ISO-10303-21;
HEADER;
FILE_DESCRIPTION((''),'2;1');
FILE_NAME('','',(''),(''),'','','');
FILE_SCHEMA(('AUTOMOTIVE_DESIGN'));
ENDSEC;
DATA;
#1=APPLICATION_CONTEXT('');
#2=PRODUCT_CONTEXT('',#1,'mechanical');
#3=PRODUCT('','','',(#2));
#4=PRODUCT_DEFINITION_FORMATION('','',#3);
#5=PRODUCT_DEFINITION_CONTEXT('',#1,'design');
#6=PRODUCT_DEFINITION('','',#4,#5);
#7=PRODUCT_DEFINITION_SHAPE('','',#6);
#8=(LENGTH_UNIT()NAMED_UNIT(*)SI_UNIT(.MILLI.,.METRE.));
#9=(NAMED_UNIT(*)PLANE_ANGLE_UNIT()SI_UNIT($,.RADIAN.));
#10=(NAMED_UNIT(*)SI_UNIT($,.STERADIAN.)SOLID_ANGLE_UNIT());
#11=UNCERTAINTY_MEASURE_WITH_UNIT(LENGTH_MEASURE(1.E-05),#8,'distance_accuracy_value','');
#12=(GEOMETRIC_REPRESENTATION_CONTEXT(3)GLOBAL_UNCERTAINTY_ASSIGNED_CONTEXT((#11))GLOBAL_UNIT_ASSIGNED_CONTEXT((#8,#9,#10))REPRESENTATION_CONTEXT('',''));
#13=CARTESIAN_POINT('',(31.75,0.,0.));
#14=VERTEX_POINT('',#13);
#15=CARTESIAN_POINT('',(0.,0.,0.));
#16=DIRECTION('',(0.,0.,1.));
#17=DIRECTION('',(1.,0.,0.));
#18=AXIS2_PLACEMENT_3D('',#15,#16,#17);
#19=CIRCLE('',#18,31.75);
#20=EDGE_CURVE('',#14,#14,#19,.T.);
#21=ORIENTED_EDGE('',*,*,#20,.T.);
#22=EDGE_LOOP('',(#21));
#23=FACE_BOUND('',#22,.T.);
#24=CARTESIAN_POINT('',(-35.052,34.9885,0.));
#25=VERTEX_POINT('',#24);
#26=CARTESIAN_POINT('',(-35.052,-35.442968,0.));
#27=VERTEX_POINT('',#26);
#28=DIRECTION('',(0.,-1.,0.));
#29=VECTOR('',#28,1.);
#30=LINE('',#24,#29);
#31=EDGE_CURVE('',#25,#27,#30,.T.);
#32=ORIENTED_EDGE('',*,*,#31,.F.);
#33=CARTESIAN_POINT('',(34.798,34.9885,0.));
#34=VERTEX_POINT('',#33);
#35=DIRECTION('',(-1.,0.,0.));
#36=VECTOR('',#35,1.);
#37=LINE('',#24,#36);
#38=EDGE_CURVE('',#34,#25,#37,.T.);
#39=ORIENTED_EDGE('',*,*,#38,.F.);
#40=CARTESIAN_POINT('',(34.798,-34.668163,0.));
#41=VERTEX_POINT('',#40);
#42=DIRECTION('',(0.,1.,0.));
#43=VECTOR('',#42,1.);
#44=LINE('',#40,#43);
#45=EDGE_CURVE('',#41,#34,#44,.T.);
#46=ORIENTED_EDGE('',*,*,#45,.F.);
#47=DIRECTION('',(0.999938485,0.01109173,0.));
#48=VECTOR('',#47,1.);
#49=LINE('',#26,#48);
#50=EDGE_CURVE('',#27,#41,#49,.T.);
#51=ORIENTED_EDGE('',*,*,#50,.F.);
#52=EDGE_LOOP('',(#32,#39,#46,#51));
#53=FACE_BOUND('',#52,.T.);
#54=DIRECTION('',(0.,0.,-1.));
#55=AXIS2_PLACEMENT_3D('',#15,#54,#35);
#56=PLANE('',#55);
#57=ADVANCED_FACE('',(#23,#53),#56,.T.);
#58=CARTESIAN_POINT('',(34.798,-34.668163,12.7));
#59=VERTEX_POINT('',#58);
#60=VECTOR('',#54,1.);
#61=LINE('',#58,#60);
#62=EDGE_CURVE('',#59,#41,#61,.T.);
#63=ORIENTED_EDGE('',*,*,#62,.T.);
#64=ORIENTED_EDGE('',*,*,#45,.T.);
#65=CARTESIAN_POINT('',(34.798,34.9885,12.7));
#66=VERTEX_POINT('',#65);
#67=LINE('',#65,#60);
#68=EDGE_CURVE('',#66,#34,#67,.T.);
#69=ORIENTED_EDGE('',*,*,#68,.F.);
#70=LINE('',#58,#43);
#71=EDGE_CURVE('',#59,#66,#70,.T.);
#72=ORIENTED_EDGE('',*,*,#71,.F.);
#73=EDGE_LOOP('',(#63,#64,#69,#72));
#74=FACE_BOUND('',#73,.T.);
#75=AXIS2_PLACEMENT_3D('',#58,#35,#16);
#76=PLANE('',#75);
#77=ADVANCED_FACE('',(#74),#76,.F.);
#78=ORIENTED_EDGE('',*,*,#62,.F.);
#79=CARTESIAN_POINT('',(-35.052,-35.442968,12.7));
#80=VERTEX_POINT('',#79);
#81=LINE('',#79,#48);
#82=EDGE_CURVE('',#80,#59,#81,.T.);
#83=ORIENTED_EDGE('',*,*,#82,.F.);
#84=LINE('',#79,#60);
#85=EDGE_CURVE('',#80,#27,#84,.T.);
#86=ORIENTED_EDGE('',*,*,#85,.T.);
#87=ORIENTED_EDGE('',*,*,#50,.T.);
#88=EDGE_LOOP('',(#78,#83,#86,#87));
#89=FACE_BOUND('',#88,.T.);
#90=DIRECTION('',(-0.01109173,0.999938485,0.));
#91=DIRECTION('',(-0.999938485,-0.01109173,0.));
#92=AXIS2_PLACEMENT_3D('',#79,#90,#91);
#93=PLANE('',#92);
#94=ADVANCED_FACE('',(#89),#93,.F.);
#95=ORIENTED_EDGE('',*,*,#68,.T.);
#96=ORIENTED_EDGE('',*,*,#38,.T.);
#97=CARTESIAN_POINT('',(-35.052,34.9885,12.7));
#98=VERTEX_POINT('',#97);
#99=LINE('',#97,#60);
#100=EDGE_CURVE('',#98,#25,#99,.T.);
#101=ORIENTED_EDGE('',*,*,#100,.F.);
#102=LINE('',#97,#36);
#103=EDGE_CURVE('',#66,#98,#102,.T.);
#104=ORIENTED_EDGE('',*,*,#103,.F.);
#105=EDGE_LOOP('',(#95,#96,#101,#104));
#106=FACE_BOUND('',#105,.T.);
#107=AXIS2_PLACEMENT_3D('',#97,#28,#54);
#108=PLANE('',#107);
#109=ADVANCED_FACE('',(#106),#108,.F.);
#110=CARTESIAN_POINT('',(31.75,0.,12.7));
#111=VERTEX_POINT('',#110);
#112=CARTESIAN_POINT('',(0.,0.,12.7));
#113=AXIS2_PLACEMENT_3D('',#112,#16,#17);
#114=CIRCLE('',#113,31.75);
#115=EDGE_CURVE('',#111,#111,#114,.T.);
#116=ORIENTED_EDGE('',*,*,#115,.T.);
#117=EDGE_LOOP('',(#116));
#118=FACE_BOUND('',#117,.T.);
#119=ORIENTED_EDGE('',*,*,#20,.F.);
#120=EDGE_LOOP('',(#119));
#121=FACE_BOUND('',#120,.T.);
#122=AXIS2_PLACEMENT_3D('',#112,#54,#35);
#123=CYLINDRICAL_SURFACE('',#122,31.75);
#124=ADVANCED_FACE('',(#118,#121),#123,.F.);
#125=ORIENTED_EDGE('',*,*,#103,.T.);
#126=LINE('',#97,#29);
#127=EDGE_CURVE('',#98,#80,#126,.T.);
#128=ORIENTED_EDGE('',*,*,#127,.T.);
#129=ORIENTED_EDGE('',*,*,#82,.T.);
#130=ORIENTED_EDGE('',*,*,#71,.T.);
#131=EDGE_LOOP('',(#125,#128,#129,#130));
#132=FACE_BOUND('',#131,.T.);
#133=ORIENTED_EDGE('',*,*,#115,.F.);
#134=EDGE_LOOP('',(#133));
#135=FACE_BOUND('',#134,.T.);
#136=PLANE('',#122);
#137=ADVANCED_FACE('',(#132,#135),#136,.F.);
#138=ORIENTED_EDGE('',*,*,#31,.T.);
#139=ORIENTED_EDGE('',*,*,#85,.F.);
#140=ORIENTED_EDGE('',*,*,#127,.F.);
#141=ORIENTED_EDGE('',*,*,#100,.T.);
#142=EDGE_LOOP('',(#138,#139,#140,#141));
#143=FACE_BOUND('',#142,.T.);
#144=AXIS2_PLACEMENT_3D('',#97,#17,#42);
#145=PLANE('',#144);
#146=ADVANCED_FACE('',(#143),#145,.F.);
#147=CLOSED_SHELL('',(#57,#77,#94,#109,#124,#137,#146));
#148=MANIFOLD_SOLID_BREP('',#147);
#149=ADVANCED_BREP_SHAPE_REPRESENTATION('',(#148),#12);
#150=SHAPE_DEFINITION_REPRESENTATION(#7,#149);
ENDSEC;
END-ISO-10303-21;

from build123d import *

# Parameters (mm, degrees)
SKETCH1_R           = 31.75
BOSS_EXTRUDE1_DEPTH = 12.7


with BuildPart() as part:
    # Sketch1 → Boss-Extrude1 (new body)
    with BuildSketch(Plane.XY):
        Polygon((-35.052, 34.9885), (34.798, 34.9885), (34.798, -34.668162611), (-35.052, -35.442967583), align=None)
        Circle(SKETCH1_R, mode=Mode.SUBTRACT)
    extrude(amount=BOSS_EXTRUDE1_DEPTH)


solid = part.part
